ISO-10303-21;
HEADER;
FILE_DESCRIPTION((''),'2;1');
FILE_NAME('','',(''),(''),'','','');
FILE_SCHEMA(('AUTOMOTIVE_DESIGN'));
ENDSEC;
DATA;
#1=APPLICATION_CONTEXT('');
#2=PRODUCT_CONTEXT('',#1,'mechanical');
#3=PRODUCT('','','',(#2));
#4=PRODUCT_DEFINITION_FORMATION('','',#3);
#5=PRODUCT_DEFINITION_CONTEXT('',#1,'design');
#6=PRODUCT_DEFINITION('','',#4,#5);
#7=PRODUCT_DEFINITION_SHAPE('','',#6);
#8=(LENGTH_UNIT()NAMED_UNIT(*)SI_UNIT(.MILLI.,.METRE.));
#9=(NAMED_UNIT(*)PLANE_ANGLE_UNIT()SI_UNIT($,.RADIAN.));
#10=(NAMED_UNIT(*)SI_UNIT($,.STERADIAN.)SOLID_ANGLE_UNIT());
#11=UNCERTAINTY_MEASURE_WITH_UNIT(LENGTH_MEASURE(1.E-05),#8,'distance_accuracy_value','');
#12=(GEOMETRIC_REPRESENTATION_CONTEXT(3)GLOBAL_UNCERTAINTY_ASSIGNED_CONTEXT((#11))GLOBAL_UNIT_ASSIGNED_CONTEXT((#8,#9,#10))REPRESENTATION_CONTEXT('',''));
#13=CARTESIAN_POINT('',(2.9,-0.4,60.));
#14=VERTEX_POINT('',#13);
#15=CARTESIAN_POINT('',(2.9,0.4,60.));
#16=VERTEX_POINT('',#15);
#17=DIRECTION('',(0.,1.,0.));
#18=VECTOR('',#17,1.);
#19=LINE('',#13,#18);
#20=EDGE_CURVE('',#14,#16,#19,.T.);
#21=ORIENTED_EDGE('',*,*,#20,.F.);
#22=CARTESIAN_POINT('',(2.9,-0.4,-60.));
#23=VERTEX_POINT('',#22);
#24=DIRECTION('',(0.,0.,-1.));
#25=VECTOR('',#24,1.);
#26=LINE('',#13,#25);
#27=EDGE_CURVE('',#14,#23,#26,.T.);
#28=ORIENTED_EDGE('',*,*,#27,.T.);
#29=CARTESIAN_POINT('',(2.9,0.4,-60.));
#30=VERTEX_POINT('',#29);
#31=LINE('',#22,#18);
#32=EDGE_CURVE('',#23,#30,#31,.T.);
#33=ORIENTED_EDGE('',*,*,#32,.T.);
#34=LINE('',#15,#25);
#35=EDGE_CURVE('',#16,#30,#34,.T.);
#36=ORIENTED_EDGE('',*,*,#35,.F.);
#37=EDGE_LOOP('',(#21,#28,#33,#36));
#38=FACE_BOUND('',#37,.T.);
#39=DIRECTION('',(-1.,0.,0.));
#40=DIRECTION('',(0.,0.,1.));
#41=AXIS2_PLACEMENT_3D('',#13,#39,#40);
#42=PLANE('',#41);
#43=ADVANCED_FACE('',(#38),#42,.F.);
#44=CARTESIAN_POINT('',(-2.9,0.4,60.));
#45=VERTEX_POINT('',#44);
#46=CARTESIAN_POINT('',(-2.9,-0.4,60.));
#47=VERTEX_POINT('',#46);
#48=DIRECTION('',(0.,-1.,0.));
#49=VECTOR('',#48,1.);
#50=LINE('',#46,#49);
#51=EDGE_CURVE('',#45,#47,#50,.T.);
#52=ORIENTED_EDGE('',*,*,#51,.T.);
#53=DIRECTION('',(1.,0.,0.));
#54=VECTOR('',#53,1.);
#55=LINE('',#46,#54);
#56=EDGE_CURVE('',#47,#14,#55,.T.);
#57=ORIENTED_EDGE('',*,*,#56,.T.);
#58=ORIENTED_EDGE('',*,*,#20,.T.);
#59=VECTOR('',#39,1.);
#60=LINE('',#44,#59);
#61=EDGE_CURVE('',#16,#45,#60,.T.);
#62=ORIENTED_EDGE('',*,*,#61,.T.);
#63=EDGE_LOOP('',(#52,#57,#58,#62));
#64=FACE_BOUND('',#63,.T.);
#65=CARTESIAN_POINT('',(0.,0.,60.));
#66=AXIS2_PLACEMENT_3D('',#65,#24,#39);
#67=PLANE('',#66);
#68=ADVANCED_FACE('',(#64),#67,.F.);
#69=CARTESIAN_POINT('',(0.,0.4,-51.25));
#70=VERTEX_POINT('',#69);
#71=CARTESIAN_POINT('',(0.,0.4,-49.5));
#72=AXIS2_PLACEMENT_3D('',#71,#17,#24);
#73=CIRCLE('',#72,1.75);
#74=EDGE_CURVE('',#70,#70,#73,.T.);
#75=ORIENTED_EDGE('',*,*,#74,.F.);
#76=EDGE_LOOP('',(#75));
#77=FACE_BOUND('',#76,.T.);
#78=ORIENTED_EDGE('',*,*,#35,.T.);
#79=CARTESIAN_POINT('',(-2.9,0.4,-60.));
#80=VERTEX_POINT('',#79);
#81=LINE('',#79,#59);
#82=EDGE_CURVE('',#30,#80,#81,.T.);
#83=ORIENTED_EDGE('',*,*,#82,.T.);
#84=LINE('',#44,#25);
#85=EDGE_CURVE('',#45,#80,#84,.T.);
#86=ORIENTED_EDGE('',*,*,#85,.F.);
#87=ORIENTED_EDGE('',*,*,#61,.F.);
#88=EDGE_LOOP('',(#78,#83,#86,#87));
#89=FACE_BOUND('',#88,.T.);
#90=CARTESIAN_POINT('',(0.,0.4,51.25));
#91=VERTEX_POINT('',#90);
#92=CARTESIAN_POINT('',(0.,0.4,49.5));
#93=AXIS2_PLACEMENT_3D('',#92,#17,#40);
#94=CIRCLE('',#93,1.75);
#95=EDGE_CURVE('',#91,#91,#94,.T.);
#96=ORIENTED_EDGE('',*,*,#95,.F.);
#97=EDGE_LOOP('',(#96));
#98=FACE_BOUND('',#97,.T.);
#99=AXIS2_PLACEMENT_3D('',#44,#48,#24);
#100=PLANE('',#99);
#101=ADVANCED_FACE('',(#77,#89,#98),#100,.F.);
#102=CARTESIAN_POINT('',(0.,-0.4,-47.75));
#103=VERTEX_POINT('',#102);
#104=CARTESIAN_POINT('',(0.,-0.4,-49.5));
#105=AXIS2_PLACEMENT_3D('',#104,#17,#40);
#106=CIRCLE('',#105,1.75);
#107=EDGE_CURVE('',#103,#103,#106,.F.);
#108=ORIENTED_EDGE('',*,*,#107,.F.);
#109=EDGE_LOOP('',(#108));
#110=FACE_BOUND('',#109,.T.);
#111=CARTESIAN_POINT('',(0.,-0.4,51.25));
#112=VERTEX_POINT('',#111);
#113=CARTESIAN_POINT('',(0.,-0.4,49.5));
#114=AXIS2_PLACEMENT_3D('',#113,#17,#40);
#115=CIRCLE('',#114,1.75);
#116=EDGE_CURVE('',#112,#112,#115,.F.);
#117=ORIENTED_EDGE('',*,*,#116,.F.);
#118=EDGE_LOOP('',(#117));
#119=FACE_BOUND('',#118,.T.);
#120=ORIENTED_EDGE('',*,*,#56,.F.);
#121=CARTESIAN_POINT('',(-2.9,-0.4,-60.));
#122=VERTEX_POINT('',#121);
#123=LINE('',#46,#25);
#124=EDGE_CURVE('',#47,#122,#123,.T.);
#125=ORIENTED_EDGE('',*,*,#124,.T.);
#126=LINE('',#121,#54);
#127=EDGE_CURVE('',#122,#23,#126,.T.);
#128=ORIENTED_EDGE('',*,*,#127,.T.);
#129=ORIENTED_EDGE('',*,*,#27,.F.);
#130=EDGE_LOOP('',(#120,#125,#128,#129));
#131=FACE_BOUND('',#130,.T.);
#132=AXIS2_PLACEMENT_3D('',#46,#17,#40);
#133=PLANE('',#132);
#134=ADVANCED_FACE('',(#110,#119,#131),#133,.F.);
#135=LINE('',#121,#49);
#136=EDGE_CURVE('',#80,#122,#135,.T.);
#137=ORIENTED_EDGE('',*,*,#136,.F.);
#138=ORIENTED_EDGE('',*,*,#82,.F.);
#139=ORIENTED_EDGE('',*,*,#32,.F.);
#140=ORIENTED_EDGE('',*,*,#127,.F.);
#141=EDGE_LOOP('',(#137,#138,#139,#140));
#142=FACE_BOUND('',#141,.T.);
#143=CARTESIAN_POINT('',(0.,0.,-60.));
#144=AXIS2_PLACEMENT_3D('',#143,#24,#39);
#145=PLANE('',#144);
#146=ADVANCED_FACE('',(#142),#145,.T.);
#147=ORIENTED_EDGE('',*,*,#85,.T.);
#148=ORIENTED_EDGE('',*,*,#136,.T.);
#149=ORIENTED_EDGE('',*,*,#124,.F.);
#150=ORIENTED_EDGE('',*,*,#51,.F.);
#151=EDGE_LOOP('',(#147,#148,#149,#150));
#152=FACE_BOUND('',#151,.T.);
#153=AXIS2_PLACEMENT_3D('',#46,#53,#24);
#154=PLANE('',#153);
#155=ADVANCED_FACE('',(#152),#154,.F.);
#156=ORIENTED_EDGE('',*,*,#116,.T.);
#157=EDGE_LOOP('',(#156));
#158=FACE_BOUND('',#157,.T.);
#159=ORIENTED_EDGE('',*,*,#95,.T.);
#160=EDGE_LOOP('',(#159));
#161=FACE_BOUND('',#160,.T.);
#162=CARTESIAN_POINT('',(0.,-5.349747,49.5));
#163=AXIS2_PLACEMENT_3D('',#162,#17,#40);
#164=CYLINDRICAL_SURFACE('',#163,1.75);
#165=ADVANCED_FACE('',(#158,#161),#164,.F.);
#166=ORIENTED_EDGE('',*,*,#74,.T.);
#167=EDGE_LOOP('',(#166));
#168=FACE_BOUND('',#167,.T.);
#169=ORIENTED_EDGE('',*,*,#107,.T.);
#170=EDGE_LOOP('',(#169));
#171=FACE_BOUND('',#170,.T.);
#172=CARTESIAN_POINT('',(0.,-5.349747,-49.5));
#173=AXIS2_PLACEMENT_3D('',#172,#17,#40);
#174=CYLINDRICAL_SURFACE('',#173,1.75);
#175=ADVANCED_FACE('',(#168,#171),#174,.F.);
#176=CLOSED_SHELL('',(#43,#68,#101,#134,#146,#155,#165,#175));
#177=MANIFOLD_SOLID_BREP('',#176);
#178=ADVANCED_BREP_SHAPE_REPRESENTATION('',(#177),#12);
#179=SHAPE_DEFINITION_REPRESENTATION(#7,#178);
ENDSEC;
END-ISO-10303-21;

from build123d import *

# Parameters (mm, degrees)
SKETCH1_W           = 5.8
SKETCH1_H           = 0.8
BOSS_EXTRUDE1_DEPTH = 60
SKETCH3_R           = 1.75
CUT_EXTRUDE1_DEPTH  = 0.8


with BuildPart() as part:
    # Sketch1 → Boss-Extrude1 (new, symmetric)
    with BuildSketch(Plane.XY):
        Rectangle(SKETCH1_W, SKETCH1_H)
    extrude(amount=BOSS_EXTRUDE1_DEPTH, both=True)

    # Sketch3 → Cut-Extrude1 (cut)
    with BuildSketch(Plane(origin=(0, 0.4, 0), x_dir=(1, 0, 0), z_dir=(0, 1, 0))):
        with Locations(Location((0, -49.5, 0), (0, 0, 270))):
            Circle(SKETCH3_R)
        with Locations(Location((0, 49.5, 0), (0, 0, 270))):
            Circle(SKETCH3_R)
    extrude(amount=-CUT_EXTRUDE1_DEPTH, mode=Mode.SUBTRACT)


solid = part.part
